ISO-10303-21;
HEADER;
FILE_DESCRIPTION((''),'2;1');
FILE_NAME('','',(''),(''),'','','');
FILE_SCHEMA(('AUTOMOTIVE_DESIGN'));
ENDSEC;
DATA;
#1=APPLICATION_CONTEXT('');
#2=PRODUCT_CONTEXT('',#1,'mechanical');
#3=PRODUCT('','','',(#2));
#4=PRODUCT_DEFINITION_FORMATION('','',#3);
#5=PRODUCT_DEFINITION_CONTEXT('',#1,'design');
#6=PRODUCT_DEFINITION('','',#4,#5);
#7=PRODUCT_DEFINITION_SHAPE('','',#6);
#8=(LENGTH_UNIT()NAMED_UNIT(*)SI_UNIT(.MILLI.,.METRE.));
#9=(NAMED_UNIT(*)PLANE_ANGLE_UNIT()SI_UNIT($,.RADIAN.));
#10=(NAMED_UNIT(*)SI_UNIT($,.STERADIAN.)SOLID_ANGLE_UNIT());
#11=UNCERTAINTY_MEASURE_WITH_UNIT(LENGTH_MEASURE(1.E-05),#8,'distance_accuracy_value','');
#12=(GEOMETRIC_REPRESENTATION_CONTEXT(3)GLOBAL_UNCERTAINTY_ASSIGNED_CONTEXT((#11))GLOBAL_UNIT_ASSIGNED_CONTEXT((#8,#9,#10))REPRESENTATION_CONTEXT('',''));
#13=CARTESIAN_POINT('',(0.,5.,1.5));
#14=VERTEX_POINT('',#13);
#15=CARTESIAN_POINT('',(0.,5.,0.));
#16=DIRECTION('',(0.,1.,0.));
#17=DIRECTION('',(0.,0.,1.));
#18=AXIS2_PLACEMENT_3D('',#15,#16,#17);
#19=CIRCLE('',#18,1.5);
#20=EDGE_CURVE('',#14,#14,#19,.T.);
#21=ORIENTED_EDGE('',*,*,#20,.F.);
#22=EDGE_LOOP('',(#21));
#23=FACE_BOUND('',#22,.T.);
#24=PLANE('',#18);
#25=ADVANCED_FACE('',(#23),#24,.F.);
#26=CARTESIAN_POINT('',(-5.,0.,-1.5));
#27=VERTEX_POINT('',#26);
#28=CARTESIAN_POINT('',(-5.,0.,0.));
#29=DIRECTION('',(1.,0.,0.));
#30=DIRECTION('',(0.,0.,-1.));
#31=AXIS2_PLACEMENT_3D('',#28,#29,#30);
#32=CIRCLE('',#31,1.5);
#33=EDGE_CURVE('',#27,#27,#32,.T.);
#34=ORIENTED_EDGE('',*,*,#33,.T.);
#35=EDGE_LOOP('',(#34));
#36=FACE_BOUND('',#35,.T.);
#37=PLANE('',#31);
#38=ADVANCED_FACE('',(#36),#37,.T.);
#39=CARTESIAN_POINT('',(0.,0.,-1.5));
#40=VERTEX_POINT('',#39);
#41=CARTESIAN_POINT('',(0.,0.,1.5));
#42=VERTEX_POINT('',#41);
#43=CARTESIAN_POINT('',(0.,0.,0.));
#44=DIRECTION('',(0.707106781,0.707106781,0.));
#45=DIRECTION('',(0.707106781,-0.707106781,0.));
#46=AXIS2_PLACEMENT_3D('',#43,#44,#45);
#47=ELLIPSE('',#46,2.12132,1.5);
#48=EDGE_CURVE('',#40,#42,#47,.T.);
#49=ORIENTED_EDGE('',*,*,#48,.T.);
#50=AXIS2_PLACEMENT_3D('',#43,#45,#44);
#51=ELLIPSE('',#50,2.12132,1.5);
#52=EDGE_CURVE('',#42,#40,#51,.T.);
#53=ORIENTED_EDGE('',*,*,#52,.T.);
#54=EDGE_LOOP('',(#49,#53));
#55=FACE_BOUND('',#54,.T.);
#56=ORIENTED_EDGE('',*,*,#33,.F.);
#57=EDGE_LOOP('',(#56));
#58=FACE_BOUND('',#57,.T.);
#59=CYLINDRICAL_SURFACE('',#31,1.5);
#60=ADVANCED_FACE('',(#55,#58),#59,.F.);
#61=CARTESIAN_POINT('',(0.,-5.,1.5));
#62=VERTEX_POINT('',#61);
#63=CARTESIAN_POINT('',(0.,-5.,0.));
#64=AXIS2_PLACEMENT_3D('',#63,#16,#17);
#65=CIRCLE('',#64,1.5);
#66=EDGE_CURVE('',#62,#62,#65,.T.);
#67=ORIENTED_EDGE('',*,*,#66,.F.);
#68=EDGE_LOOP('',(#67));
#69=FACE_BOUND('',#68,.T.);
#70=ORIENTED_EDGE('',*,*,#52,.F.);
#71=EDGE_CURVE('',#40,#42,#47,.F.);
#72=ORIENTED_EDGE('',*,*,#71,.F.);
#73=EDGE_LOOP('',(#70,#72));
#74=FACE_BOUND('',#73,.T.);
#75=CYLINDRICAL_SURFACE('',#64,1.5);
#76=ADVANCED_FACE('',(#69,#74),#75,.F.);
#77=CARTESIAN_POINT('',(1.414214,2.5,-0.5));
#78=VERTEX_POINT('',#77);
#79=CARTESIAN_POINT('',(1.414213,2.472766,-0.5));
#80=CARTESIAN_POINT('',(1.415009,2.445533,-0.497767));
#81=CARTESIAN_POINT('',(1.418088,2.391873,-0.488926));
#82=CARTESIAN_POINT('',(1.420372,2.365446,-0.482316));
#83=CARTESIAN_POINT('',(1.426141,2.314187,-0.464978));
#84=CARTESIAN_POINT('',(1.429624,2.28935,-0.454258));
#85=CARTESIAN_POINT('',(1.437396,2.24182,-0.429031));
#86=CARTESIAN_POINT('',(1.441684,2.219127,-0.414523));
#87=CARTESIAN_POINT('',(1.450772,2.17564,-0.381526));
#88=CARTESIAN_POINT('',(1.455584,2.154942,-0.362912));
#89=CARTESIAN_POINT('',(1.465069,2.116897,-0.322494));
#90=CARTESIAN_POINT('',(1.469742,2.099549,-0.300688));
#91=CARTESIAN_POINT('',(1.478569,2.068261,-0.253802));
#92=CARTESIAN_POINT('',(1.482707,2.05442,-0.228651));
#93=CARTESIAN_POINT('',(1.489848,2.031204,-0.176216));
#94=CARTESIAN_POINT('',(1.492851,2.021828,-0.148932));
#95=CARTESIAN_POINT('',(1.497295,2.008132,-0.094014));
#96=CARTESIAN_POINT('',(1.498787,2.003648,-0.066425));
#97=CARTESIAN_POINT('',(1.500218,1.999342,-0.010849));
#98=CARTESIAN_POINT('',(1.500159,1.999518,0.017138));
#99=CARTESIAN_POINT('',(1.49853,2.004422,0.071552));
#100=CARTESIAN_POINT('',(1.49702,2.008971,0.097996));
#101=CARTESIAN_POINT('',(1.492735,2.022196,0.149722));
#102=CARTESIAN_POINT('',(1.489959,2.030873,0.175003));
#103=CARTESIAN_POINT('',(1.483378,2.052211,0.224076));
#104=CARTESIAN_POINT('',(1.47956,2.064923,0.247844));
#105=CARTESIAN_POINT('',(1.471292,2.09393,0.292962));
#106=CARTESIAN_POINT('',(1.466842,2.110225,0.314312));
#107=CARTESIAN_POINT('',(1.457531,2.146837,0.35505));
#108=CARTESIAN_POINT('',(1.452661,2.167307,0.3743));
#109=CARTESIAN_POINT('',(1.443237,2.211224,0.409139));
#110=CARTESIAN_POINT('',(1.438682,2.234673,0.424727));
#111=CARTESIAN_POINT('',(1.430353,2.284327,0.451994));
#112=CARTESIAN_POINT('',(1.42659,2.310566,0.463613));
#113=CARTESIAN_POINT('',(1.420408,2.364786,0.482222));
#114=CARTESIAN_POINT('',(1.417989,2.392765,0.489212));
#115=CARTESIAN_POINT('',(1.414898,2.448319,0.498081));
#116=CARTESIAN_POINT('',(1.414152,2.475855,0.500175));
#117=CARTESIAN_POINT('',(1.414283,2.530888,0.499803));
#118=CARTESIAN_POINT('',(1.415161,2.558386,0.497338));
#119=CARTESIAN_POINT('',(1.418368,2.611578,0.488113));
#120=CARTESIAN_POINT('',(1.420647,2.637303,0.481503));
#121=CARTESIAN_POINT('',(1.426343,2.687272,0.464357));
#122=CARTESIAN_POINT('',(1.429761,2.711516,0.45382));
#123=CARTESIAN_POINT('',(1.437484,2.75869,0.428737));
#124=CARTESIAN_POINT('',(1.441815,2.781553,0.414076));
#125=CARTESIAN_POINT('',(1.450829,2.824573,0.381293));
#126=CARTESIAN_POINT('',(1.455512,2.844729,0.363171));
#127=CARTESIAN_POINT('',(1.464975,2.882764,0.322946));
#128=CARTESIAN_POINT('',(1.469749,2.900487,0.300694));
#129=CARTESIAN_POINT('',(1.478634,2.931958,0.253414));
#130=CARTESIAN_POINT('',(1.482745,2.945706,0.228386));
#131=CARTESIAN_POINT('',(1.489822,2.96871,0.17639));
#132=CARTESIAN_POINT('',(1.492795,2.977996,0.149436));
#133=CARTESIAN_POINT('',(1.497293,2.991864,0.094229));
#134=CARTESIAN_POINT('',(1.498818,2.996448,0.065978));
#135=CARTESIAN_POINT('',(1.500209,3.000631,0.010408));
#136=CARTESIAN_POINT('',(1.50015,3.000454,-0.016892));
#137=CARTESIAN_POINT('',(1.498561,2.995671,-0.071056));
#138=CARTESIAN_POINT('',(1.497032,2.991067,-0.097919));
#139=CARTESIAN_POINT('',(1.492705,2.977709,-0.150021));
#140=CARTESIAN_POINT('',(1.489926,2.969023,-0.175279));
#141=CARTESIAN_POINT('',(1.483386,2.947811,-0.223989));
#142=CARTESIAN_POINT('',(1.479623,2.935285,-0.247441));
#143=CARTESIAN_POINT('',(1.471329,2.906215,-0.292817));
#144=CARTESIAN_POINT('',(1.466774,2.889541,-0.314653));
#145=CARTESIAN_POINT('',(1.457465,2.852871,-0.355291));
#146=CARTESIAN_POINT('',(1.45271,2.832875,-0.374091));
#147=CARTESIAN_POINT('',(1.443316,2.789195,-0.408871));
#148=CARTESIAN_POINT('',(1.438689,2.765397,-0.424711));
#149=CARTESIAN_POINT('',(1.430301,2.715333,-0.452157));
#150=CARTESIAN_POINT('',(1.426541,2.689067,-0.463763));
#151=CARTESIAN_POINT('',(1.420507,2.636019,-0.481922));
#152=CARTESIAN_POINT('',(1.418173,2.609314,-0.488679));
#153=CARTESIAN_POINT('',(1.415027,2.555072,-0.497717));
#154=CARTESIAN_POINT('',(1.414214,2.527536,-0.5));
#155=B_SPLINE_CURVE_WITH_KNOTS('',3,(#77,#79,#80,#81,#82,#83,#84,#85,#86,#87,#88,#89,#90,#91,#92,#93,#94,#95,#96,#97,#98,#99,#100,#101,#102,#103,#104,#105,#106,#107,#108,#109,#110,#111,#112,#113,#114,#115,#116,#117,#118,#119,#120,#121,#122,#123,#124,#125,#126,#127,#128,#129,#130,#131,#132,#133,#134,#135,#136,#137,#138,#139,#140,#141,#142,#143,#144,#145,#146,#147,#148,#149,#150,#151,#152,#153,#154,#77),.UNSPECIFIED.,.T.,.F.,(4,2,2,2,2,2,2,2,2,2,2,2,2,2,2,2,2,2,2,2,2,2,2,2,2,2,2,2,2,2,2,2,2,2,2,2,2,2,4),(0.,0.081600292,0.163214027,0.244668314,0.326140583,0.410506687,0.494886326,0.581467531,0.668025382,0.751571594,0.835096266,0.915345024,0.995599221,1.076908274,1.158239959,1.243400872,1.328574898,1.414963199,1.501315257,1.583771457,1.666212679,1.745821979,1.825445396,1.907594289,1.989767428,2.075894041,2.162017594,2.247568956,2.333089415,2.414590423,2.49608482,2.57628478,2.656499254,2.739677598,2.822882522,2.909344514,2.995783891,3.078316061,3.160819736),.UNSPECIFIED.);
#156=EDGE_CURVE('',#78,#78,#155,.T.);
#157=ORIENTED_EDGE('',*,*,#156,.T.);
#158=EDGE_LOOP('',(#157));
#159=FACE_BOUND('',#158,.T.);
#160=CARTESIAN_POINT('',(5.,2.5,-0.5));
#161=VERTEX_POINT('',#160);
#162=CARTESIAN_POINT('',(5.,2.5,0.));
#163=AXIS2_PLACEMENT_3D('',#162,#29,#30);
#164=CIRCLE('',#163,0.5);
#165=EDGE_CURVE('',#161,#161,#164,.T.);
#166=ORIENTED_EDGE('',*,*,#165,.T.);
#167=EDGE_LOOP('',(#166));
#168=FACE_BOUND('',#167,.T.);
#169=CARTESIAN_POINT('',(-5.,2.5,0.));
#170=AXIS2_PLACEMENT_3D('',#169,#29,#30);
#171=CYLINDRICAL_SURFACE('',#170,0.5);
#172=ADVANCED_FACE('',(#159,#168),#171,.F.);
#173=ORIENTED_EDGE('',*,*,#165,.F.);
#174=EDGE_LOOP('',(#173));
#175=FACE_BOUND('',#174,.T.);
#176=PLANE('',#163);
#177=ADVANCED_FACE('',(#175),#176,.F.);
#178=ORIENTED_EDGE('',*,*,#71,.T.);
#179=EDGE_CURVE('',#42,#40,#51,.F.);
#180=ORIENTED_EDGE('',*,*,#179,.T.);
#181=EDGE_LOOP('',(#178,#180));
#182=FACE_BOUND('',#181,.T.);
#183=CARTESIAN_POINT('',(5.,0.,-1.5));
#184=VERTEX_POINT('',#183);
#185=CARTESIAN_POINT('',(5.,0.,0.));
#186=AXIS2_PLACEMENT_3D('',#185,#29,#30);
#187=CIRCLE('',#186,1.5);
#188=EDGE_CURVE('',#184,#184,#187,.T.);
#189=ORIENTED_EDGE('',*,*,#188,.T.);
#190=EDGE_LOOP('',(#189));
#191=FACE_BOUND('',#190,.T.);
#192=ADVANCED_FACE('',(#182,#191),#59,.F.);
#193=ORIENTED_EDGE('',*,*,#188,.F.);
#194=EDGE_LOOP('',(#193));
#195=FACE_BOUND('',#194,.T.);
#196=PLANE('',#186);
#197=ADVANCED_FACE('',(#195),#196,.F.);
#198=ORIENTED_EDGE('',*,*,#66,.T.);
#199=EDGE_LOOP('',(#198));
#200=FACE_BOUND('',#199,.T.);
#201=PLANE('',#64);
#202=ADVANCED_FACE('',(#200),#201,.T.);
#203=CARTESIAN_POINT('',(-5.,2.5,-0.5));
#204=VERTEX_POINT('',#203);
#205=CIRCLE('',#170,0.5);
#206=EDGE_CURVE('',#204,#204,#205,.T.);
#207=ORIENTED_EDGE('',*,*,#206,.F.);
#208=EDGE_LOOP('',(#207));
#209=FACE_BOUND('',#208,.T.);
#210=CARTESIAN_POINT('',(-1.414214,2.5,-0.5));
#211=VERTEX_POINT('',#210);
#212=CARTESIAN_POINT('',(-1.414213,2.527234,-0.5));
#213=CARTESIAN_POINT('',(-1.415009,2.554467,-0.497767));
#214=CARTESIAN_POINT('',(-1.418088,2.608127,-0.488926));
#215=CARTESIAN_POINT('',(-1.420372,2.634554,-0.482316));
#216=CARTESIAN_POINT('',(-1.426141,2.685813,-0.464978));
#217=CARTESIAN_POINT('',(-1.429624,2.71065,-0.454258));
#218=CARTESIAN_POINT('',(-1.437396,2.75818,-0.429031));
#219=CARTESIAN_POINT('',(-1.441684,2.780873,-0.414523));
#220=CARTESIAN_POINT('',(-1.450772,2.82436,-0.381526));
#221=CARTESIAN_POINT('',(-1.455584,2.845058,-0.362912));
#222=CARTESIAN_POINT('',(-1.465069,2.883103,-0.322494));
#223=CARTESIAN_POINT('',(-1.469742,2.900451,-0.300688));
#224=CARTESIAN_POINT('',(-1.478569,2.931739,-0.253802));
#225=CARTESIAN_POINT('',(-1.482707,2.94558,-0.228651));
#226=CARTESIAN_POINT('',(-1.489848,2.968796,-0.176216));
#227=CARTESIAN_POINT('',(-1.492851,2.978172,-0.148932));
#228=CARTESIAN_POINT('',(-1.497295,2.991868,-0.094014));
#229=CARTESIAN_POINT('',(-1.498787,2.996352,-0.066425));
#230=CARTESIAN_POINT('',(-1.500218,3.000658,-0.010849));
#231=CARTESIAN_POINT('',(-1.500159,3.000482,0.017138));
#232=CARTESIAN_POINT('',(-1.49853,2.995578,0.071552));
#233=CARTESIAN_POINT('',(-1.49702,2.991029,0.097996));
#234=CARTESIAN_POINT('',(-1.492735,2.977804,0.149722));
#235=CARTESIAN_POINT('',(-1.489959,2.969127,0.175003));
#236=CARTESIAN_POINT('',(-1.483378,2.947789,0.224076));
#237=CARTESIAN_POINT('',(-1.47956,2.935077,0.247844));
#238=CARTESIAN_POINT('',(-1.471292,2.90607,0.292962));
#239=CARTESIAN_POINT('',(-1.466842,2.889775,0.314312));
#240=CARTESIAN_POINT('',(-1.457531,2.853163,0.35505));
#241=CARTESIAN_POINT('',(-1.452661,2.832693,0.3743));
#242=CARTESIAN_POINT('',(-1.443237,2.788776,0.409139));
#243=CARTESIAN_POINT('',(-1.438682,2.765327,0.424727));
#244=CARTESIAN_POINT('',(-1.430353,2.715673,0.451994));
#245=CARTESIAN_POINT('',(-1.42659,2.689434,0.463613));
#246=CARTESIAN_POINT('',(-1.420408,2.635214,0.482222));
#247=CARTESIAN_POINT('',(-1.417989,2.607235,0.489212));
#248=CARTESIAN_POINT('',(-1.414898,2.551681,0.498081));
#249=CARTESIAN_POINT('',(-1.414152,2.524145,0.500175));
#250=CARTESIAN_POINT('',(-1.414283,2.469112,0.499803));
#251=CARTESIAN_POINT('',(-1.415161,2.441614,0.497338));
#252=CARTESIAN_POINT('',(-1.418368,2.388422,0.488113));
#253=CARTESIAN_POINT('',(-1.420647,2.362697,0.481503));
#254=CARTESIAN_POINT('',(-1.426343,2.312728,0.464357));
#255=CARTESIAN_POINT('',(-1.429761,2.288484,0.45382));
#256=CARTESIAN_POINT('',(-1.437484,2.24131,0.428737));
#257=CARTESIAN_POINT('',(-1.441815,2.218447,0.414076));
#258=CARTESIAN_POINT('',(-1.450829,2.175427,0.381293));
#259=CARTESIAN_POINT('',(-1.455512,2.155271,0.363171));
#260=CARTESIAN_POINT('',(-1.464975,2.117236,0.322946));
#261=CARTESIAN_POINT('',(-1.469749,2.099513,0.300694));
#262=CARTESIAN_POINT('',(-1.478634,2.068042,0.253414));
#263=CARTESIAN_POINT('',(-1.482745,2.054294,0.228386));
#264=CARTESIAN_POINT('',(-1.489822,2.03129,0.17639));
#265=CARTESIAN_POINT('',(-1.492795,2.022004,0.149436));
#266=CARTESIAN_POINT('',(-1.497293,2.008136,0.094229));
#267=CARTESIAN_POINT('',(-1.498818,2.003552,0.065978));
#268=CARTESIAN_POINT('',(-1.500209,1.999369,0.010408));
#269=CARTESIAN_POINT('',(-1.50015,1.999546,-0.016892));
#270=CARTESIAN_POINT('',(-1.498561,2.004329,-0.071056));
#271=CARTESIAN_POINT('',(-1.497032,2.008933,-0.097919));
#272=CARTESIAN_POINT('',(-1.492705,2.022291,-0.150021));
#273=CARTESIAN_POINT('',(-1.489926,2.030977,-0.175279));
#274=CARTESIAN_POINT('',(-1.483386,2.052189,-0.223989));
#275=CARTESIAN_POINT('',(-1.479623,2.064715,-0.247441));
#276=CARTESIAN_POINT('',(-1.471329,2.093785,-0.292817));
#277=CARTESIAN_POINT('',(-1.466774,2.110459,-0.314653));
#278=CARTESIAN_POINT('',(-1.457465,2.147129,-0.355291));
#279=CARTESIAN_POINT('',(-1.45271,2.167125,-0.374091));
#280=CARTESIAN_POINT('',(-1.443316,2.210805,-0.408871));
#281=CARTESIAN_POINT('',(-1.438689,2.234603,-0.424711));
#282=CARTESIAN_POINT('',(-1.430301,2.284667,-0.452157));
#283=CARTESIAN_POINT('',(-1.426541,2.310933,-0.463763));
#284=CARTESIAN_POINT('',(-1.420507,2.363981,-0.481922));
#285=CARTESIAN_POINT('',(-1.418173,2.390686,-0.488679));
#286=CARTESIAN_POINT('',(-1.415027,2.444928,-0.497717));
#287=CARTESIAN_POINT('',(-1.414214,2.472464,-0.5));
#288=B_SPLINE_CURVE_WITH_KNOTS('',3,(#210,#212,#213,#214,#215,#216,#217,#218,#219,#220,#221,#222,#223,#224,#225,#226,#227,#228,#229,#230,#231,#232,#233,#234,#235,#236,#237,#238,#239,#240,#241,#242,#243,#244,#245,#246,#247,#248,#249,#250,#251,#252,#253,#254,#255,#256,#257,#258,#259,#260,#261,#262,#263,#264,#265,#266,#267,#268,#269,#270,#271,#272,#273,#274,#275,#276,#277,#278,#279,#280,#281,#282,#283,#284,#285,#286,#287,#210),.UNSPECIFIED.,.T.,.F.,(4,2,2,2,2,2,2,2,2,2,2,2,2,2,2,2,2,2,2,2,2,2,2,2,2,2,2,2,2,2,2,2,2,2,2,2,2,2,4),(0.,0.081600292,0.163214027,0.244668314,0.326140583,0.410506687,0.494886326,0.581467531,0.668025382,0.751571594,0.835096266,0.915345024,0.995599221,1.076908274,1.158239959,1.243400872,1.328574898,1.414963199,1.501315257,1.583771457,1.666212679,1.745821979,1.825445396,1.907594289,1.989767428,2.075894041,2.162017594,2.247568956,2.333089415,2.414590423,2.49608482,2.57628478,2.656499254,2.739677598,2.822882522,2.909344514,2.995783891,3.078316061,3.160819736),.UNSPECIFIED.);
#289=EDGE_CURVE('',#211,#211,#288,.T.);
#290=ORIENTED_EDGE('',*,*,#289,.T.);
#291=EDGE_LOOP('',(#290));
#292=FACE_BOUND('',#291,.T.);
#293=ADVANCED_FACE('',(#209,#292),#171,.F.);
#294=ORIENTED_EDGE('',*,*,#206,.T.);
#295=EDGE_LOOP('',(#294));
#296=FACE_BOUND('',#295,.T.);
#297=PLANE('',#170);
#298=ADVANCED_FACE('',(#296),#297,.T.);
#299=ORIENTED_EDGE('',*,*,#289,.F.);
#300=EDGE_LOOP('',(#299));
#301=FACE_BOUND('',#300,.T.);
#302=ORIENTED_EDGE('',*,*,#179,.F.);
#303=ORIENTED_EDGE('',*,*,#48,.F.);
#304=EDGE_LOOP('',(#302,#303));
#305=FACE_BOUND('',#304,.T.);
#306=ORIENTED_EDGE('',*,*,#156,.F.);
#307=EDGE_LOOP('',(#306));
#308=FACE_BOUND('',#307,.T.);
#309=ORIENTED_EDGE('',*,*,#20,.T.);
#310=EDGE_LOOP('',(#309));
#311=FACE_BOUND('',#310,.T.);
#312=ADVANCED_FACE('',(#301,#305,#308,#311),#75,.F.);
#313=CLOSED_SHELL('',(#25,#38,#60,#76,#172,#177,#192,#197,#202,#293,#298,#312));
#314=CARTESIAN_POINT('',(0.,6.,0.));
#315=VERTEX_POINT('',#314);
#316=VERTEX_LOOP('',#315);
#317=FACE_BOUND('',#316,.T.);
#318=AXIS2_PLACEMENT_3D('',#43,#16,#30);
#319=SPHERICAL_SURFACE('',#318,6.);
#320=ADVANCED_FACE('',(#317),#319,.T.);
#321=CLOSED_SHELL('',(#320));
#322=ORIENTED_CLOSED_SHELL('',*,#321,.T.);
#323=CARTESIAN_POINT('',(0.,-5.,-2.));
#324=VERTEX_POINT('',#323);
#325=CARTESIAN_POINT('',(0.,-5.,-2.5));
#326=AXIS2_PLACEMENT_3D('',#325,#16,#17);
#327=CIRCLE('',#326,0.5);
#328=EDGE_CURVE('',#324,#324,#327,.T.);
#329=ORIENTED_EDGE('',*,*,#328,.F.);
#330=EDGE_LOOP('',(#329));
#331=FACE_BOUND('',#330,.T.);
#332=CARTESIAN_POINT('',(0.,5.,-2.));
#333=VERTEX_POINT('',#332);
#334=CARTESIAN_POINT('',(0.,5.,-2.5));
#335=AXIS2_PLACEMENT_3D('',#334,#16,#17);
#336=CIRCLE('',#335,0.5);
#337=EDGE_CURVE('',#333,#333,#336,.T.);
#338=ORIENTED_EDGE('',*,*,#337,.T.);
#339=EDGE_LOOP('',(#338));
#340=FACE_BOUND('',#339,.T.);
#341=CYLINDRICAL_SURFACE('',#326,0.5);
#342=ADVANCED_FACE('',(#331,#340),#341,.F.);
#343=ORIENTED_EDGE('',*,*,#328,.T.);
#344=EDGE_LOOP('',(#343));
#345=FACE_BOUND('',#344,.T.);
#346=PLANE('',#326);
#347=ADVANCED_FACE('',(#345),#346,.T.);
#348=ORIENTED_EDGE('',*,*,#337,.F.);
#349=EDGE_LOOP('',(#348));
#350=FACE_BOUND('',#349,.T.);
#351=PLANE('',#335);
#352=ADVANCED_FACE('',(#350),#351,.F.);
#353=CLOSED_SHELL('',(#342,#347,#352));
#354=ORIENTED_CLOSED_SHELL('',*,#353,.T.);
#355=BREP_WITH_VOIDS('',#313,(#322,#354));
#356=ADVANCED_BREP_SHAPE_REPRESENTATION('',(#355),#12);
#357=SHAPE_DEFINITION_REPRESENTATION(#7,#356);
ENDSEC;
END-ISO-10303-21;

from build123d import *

# Parameters (mm, degrees)
SKIZZE3_R     = 1.5
SKIZZE3_R_2   = 0.5
ACHSE_1_DEPTH = 5
SKIZZE4_R     = 1.5
SKIZZE4_R_2   = 0.5
ACHSE_2_DEPTH = 5


with BuildPart() as part:
    # Skizze2 → Kugel (revolve)
    with BuildSketch(Plane(origin=(0, 0, 0), x_dir=(0, 0, -1), z_dir=(1, 0, 0))):
        with BuildLine():
            Line((0, 6), (0, -6))
            ThreePointArc((0, -6), (6, 0), (0, 6))
        make_face()
    revolve(axis=Axis((0, 23.376095618, 0), (0, -1, 0)))

    # Skizze3 → Achse 1 (cut, symmetric)
    with BuildSketch(Plane(origin=(0, 0, 0), x_dir=(0, 0, -1), z_dir=(1, 0, 0))):
        Circle(SKIZZE3_R)
        with Locations((0, 2.5)):
            Circle(SKIZZE3_R_2)
    extrude(amount=ACHSE_1_DEPTH, both=True, mode=Mode.SUBTRACT)

    # Skizze4 → Achse 2 (cut, symmetric)
    with BuildSketch(Plane(origin=(0, 0, 0), x_dir=(1, 0, 0), z_dir=(0, 1, 0))):
        Circle(SKIZZE4_R)
        with Locations((0, 2.5)):
            Circle(SKIZZE4_R_2)
    extrude(amount=ACHSE_2_DEPTH, both=True, mode=Mode.SUBTRACT)


solid = part.part
